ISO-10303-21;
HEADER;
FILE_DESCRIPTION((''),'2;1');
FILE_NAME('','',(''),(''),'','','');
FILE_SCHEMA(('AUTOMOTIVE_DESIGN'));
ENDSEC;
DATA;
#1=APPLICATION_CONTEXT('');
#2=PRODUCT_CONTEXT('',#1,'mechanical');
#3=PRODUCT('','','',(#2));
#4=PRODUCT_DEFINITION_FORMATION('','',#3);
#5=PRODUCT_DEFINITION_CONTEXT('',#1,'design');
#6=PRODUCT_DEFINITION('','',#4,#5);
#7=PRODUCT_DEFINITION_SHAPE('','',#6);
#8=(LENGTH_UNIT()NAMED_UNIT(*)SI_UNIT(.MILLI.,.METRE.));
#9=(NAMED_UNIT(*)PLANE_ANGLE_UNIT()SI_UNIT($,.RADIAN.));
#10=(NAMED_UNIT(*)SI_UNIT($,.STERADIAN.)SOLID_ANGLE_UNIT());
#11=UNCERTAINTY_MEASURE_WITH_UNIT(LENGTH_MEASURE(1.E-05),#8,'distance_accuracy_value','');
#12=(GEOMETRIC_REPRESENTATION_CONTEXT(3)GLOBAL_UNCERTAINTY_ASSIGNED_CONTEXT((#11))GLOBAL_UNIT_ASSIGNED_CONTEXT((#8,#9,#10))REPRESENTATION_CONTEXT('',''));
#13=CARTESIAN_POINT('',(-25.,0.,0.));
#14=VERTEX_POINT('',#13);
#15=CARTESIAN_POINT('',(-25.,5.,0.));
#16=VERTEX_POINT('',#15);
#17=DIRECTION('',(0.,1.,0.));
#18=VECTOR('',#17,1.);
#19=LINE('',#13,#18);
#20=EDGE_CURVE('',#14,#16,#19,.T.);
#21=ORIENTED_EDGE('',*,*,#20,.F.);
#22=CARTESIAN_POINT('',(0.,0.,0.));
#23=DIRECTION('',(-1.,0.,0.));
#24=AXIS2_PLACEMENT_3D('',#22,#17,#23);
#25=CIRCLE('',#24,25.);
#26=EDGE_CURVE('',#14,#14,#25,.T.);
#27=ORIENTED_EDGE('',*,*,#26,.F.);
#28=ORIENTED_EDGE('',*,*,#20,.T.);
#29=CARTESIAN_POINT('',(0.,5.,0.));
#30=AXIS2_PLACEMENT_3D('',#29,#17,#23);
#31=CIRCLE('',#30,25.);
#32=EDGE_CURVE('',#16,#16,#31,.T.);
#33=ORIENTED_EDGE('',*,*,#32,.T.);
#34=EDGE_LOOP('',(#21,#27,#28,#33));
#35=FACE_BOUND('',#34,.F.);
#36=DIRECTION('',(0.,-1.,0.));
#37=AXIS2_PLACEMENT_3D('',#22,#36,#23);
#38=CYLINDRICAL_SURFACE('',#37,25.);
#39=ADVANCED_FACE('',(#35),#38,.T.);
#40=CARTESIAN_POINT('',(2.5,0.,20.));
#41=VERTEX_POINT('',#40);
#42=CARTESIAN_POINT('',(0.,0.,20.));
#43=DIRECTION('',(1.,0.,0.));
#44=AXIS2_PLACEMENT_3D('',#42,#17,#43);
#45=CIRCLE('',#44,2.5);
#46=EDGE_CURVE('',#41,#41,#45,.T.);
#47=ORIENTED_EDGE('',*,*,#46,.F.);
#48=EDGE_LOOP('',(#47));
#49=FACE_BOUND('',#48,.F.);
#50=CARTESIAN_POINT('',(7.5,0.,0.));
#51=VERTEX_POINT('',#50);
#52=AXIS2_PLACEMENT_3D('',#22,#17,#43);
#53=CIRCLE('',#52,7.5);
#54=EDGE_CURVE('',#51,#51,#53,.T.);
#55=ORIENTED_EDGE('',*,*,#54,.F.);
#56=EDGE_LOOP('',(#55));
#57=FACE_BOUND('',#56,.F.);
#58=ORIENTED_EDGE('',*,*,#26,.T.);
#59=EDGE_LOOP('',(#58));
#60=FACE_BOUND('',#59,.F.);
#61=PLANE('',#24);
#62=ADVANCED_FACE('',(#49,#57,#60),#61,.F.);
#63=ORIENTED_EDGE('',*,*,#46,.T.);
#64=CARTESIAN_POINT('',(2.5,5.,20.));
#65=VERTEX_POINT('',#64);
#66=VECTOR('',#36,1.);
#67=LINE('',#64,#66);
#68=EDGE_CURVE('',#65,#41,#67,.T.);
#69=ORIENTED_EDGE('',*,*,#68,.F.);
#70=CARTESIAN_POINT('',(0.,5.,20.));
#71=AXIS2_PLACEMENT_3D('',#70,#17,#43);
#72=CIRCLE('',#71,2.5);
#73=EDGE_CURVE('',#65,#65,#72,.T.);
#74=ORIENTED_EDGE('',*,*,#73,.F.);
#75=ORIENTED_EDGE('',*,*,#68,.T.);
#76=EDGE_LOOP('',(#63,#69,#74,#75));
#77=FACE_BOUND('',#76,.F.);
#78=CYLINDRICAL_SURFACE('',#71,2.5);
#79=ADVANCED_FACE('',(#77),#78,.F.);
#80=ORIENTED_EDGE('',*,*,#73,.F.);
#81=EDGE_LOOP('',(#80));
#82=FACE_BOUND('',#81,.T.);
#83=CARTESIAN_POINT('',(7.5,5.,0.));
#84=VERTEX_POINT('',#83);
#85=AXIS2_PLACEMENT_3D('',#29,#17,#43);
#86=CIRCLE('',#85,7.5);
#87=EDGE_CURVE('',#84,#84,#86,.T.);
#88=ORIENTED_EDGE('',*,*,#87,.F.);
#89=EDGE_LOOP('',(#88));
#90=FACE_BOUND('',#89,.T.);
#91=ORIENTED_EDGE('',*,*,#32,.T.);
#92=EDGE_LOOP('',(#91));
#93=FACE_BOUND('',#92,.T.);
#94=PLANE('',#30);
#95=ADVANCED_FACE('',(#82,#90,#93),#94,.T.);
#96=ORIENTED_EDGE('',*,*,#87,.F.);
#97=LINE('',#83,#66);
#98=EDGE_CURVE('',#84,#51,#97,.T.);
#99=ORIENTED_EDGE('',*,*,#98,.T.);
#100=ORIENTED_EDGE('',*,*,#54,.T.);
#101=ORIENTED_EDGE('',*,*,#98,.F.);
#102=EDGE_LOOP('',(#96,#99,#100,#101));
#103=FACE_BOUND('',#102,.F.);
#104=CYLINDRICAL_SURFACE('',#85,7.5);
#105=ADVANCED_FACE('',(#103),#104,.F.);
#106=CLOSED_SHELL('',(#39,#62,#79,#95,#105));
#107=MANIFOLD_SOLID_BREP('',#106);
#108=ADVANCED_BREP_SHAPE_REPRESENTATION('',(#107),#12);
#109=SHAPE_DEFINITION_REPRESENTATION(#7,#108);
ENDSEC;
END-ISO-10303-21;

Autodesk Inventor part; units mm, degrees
ref_plane "YZ Plane" through (0, 0, 0) normal (1, 0, 0) x (0, 1, 0)
ref_plane "XZ Plane" through (0, 0, 0) normal (0, 1, 0) x (-1, 0, 0)
ref_plane "XY Plane" through (0, 0, 0) normal (0, 0, 1) x (1, 0, 0)
sketch "Sketch1" plane through (0, 0, 0) normal (0, 1, 0) x (-1, 0, 0)
  circle A0 centre (0, 0) radius 25
  dimension "d0" = 50
extrude "Extrusion1" add sketch "Sketch1" along normal blind 5
sketch "Sketch2" plane through (0, 5, 0) normal (0, 1, 0) x (1, 0, 0)
  circle A0 centre (0, 0) radius 7.5
  dimension "d3" = 15
extrude "Extrusion2" cut sketch "Sketch2" against normal through all
sketch "Sketch3" plane through (0, 5, 0) normal (0, 1, 0) x (1, 0, 0)
  circle A0 centre (0, 0) radius 20 construction
sketch "Sketch4" plane through (0, 5, 0) normal (0, 1, 0) x (1, 0, 0)
  circle A0 centre (0, -20) radius 2.5
  point P0 (0, 0)
  dimension "d8" = 5
extrude "Extrusion3" cut sketch "Sketch4" against normal through all
sketch "Sketch5" plane through (0, 5, 0) normal (0, 1, 0) x (1, 0, 0)
  line L0 (0, 0) -> (-12.8558, 15.3209)
  line L1 (0, 0) -> (0, -27.4763)
  arc A0 (-10.0367, 16.3469) -> (-15.6748, 14.2948) centre (-12.8558, 15.3209) ccw
  arc A1 (-2.8191, -21.0261) -> (2.8191, -18.9739) centre (0, -20) ccw
  line L2 (-10.0367, 16.3469) -> (2.8191, -18.9739)
  line L3 (-2.8191, -21.0261) -> (-15.6748, 14.2948)
  circle A2 centre (0, 0) radius 3
  dimension "d11" = 140
  dimension "d14" = 20
  dimension "d15" = 3
  dimension "d17" = 3
  dimension "d18" = 6
properties part number "test wysiegu sprezyny"
